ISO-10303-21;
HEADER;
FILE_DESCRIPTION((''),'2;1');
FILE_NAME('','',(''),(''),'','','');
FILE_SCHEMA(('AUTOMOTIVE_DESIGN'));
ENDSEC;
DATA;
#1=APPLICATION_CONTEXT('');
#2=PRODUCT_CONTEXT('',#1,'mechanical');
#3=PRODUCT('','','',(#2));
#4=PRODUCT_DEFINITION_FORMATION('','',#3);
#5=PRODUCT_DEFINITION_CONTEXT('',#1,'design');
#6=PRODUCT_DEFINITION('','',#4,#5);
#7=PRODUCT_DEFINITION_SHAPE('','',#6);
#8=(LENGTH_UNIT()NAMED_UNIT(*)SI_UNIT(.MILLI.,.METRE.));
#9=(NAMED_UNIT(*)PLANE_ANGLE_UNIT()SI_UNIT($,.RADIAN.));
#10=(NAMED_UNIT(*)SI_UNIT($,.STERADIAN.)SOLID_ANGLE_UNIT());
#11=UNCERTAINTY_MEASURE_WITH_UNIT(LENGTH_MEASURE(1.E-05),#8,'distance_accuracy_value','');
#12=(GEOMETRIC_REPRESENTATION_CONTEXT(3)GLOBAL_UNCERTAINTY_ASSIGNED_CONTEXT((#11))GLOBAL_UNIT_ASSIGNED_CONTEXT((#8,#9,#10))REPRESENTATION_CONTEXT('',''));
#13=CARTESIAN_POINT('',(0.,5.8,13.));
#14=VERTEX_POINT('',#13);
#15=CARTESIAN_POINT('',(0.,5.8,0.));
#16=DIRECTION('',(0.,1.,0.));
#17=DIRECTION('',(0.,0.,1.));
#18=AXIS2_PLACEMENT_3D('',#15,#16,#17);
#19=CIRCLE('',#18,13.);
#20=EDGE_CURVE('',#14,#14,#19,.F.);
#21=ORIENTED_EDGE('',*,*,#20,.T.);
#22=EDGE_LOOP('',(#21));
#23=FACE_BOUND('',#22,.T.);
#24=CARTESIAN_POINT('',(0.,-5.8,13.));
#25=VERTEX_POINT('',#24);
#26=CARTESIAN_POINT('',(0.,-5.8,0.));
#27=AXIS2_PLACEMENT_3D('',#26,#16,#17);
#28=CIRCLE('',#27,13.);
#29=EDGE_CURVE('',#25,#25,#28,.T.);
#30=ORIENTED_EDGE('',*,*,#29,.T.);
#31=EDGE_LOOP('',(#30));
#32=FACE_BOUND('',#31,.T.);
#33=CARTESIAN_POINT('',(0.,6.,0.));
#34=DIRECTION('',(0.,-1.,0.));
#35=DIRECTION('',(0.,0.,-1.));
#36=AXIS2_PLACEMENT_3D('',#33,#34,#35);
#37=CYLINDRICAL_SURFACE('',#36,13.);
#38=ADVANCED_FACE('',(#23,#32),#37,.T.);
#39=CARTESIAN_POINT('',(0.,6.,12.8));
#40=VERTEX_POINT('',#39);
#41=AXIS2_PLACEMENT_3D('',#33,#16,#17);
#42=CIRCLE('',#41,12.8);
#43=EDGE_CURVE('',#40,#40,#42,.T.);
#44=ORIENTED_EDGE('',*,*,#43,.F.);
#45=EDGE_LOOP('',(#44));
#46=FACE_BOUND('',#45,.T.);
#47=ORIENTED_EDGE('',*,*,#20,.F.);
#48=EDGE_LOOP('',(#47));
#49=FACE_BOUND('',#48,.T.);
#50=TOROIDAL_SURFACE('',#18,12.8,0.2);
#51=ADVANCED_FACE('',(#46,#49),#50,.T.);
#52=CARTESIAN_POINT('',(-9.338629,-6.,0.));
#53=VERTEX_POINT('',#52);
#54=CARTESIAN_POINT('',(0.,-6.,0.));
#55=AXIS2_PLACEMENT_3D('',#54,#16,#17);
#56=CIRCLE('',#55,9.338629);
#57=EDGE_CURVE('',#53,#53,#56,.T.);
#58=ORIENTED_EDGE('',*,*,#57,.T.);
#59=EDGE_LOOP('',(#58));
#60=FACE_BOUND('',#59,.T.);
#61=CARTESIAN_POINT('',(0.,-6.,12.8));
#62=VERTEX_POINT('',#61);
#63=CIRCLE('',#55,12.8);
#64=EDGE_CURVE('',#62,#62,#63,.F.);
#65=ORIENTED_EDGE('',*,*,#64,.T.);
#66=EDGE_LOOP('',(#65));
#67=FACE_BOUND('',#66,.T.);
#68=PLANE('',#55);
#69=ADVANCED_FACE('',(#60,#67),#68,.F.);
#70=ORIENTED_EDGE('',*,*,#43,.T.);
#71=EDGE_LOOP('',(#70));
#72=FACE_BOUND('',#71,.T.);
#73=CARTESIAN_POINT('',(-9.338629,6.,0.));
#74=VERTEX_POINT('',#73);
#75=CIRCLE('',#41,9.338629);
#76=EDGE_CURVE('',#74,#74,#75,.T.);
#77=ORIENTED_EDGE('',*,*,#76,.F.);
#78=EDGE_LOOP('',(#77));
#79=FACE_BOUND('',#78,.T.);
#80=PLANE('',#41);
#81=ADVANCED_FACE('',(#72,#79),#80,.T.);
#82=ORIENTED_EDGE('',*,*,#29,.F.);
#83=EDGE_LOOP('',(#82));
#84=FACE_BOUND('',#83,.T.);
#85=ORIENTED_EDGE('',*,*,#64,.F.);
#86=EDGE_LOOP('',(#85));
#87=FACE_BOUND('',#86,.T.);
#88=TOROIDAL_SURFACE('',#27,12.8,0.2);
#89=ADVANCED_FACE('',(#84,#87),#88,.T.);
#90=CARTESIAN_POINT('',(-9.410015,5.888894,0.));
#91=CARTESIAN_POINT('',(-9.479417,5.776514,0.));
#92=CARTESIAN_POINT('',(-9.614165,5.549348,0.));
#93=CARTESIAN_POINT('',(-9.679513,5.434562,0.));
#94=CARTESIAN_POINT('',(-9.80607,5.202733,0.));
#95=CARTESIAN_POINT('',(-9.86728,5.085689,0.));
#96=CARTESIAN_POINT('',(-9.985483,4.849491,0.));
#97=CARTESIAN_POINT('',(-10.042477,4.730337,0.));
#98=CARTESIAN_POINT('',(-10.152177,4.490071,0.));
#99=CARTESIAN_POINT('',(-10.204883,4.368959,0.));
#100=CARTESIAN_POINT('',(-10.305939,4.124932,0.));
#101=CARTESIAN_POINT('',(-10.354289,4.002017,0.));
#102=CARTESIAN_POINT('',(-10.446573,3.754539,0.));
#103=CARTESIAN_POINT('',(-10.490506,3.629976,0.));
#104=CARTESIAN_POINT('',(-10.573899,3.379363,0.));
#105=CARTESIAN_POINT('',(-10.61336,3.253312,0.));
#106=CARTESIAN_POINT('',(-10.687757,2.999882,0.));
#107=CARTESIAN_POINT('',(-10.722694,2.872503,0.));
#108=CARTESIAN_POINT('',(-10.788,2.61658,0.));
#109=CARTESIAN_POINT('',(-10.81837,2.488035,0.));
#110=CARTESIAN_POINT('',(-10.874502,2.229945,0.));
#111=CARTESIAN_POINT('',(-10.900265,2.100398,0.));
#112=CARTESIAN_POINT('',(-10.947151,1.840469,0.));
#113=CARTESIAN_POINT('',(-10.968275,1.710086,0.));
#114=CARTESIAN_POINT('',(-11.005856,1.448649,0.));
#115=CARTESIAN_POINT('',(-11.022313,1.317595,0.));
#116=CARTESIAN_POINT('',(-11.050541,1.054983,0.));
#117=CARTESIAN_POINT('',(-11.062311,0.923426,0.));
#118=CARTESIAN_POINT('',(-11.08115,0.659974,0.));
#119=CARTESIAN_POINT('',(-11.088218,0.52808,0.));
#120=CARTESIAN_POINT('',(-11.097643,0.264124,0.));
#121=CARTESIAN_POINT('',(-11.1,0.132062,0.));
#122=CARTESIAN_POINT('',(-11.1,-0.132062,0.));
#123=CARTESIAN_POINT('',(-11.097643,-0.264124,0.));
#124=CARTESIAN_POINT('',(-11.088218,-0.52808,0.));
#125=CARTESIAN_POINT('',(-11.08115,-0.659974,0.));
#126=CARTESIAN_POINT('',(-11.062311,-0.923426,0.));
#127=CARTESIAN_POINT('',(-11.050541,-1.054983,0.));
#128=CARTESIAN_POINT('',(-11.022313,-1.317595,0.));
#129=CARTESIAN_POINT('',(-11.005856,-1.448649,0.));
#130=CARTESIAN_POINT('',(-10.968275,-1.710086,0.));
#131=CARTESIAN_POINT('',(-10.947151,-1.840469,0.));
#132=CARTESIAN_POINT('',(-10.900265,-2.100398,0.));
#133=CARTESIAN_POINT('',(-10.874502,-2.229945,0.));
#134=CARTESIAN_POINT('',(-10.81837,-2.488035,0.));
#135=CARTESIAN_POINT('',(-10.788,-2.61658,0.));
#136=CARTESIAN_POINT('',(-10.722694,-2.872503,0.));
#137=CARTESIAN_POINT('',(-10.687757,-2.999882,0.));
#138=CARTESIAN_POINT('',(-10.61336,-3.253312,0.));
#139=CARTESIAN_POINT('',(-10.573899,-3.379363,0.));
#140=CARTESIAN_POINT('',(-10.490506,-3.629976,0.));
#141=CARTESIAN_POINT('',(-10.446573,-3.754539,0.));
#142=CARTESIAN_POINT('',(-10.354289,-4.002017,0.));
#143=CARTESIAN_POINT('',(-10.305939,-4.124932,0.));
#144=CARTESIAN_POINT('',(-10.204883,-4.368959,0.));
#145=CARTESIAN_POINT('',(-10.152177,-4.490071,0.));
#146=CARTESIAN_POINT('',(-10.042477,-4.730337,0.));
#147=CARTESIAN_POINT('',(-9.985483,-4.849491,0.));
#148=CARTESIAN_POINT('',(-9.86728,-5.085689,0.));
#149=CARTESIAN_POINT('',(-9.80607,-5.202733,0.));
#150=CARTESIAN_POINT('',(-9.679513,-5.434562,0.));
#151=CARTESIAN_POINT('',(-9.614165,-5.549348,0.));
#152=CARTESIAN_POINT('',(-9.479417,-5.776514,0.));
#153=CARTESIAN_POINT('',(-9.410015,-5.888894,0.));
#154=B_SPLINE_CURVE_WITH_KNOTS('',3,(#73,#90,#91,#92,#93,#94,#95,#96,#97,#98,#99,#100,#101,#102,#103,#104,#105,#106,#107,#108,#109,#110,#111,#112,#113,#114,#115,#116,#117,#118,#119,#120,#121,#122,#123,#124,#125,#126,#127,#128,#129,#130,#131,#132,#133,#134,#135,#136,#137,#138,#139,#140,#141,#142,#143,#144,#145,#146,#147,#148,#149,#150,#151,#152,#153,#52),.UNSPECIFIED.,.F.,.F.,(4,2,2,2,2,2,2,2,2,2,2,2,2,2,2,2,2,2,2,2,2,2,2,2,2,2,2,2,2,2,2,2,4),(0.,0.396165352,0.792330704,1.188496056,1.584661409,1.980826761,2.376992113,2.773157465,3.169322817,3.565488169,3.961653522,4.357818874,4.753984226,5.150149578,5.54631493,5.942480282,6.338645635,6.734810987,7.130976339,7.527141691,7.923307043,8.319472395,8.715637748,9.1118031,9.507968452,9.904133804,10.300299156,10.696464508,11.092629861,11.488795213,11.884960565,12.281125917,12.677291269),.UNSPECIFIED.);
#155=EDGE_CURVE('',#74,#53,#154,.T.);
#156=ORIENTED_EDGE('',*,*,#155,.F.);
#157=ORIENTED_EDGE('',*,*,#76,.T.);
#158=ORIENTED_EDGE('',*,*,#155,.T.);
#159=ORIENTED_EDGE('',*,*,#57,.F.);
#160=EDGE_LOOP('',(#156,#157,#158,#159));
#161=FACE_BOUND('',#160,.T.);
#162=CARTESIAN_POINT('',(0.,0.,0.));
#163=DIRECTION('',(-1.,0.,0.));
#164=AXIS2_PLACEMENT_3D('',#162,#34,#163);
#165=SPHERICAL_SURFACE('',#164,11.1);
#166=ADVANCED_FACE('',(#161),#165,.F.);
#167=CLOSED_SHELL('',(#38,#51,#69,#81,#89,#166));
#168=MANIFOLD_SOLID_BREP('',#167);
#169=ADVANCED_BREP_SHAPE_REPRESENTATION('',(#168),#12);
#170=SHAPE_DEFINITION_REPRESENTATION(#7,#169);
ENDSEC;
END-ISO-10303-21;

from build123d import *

# Parameters (mm, degrees)
SZKIC1_R                    = 13
DODANIE_WYCI_GNI_CIE1_DEPTH = 6
ZAOKR_GLENIE1_R             = 0.2


with BuildPart() as part:
    # Szkic1 → Dodanie-wyciągnięcie1 (new, symmetric)
    with BuildSketch(Plane(origin=(0, 0, 0), x_dir=(1, 0, 0), z_dir=(0, 1, 0))):
        with Locations(Location((0, 0, 0), (0, 0, 270))):
            Circle(SZKIC1_R)
    extrude(amount=DODANIE_WYCI_GNI_CIE1_DEPTH, both=True)

    # Szkic3 → Wycięcie-obrót1 (revolve, cut)
    with BuildSketch(Plane.XY):
        with BuildLine():
            Line((0, -11.1), (0, 11.1))
            ThreePointArc((0, 11.1), (11.1, 0), (0, -11.1))
        make_face()
    revolve(axis=Axis((0, -11.1, 0), (0, 1, 0)), mode=Mode.SUBTRACT)

    # Zaokrąglenie1
    zaokr_glenie1_edges = [part.edges().sort_by_distance(p)[0] for p in [
        (0, -6, -13),
        (0, 6, -13),
    ]]
    fillet(zaokr_glenie1_edges, radius=ZAOKR_GLENIE1_R)


solid = part.part
